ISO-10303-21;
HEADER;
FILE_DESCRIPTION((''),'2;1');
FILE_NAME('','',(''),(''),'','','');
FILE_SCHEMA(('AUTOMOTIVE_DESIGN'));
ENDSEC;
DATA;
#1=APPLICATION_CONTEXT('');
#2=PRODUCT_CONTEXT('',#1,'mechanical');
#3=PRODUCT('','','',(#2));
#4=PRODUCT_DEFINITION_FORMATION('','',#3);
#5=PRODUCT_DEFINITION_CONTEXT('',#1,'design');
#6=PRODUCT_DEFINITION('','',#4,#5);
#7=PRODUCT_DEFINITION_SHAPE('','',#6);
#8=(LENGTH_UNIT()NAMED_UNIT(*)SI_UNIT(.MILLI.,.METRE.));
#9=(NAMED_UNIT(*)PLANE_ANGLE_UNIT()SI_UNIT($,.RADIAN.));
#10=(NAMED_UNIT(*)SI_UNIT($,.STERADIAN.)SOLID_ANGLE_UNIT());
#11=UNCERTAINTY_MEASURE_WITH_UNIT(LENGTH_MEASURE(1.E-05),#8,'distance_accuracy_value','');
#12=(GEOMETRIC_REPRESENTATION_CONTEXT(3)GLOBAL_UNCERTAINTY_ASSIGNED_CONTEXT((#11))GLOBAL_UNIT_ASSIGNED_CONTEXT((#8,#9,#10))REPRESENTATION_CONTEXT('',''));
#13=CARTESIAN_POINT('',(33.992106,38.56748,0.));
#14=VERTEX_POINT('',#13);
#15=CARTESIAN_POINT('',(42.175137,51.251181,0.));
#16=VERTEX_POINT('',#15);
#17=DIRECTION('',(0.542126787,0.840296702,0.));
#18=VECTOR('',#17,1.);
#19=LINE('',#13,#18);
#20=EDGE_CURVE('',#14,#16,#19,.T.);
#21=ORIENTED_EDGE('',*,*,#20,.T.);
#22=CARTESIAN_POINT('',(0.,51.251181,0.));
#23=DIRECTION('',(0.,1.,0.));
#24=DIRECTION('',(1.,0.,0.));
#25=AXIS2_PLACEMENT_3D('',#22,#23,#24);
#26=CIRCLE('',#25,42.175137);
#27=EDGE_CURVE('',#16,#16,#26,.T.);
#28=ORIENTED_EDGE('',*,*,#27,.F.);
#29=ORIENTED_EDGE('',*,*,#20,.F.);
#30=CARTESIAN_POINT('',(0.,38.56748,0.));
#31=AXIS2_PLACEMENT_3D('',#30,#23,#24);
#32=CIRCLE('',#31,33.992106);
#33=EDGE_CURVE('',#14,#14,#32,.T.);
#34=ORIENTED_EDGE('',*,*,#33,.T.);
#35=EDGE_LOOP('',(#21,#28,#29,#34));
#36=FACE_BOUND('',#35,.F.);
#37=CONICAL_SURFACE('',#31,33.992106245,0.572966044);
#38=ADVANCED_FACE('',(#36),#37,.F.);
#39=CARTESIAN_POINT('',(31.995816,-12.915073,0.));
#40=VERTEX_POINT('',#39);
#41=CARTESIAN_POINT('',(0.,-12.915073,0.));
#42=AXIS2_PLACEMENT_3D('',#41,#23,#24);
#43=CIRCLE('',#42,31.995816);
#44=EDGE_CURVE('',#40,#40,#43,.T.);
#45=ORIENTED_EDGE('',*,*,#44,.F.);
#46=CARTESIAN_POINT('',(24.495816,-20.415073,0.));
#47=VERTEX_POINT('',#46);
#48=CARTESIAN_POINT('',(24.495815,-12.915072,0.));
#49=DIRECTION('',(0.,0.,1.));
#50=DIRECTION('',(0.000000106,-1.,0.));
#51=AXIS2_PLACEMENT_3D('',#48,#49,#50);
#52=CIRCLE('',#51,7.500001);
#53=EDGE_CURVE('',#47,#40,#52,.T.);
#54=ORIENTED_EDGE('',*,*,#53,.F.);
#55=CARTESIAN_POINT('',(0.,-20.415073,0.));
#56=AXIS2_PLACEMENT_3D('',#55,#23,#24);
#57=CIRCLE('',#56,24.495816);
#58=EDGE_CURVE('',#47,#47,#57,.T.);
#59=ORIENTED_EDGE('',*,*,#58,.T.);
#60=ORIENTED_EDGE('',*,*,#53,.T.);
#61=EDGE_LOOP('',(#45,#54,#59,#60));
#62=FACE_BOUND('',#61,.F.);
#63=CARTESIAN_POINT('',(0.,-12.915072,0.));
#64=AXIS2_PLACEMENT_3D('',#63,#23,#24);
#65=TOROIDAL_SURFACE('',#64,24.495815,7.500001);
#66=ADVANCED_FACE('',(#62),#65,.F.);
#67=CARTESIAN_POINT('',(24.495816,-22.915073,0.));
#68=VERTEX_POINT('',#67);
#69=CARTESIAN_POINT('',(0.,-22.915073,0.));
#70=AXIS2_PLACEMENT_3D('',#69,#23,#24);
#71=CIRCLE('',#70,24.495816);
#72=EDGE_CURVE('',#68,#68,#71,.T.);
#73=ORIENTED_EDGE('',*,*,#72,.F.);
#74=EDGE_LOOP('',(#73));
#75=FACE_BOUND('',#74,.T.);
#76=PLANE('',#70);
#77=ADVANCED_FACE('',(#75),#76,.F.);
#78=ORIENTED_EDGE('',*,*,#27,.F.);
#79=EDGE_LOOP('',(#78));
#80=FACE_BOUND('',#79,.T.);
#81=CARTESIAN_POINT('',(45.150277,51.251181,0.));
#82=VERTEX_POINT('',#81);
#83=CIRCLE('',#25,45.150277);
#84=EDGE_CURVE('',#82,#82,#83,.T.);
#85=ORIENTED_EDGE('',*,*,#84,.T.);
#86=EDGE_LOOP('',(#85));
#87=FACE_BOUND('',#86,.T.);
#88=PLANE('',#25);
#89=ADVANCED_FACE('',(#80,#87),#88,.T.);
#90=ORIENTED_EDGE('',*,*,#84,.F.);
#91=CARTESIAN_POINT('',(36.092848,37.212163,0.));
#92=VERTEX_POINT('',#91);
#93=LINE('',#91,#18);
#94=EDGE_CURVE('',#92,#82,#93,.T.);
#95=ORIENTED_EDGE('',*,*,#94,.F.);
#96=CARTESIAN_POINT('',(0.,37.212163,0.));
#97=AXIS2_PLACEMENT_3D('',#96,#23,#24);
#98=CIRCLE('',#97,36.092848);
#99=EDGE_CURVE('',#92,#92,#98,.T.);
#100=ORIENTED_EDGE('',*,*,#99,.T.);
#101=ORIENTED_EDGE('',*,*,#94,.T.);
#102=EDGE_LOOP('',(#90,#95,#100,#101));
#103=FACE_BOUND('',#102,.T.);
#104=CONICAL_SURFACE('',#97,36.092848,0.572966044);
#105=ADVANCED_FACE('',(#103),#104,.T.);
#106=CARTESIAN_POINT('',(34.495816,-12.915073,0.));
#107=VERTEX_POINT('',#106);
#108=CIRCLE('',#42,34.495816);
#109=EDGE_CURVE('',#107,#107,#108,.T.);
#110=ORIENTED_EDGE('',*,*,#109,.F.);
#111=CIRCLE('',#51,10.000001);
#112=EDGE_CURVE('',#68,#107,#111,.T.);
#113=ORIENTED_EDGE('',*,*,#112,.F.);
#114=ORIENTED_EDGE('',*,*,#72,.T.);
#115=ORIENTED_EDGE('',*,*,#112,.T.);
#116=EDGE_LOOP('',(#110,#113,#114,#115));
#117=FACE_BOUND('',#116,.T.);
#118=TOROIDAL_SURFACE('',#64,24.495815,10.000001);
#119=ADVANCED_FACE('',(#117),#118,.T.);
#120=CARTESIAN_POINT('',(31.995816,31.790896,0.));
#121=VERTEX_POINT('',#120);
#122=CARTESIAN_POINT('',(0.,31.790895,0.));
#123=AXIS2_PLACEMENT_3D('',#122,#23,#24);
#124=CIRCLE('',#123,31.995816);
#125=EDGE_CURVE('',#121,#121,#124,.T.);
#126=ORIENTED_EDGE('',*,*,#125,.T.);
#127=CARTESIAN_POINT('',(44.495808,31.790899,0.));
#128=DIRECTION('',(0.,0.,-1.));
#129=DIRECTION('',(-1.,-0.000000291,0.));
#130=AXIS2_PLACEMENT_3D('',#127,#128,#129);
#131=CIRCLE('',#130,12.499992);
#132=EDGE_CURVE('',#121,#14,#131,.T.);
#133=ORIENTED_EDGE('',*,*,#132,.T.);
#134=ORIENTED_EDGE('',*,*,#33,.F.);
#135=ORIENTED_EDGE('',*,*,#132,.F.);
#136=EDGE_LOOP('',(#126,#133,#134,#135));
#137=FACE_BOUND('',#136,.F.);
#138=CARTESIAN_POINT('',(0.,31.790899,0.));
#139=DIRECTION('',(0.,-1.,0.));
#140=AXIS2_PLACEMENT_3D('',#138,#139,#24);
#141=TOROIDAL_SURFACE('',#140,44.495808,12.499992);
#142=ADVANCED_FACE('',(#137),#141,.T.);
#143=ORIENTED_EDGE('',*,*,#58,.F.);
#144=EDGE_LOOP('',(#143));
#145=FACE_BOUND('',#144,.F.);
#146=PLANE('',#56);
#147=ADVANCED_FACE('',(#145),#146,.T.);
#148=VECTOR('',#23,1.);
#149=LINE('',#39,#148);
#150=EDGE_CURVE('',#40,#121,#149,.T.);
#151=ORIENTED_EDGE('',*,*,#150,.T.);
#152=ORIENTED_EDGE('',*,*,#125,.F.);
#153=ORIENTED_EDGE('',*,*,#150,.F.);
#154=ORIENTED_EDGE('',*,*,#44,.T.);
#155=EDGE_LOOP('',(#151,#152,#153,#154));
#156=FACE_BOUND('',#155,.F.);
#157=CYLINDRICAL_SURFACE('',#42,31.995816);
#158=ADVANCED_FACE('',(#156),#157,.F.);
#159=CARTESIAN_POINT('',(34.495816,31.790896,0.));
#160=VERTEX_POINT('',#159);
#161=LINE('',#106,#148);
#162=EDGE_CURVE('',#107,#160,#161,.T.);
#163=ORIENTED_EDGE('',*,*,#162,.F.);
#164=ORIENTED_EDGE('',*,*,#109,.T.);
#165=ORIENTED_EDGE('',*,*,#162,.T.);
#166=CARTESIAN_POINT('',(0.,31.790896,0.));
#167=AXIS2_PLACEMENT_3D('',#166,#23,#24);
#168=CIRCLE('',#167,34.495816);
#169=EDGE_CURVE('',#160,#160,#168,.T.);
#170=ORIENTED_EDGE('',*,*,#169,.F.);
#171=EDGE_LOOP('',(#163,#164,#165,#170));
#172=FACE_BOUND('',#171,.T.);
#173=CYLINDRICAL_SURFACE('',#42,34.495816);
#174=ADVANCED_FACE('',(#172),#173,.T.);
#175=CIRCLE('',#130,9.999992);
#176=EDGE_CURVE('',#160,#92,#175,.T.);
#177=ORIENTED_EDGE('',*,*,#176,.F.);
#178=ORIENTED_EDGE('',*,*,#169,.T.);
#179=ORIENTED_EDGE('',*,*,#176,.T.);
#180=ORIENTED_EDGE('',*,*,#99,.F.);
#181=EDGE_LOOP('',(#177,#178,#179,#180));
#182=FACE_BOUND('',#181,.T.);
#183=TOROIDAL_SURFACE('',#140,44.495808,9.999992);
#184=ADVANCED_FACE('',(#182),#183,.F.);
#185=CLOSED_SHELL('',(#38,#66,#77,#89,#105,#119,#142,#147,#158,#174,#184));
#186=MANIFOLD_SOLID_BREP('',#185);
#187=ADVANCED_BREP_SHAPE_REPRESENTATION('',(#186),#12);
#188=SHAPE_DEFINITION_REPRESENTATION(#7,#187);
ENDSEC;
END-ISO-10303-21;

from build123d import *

# Parameters (mm, degrees)
F2_T = -2.5


with BuildPart() as f1:
    # F0 (on Top) → F1 (revolve)
    with BuildSketch(Plane.XY):
        with BuildLine():
            Line((45.150277, 51.251181), (0, 51.251181))
            Line((0, 51.251181), (0, -22.915073))
            Line((0, -22.915073), (24.495816, -22.915073))
            ThreePointArc((24.495816, -22.915073), (31.566883, -19.986141), (34.495816, -12.915073))
            Line((34.495816, -12.915073), (34.495816, 31.790896))
            ThreePointArc((34.495816, 31.790896), (34.903379, 34.616699), (36.092848, 37.212163))
            Line((36.092848, 37.212163), (45.150277, 51.251181))
        make_face()
    revolve(axis=Axis((0, 14.168054, 0), (0, 1, 0)))

    # F2
    f2_openings = [f1.faces().sort_by_distance(p)[0] for p in [
        (0, 51.251181, 0),
    ]]
    offset(amount=F2_T, openings=f2_openings)


solid = f1.part
